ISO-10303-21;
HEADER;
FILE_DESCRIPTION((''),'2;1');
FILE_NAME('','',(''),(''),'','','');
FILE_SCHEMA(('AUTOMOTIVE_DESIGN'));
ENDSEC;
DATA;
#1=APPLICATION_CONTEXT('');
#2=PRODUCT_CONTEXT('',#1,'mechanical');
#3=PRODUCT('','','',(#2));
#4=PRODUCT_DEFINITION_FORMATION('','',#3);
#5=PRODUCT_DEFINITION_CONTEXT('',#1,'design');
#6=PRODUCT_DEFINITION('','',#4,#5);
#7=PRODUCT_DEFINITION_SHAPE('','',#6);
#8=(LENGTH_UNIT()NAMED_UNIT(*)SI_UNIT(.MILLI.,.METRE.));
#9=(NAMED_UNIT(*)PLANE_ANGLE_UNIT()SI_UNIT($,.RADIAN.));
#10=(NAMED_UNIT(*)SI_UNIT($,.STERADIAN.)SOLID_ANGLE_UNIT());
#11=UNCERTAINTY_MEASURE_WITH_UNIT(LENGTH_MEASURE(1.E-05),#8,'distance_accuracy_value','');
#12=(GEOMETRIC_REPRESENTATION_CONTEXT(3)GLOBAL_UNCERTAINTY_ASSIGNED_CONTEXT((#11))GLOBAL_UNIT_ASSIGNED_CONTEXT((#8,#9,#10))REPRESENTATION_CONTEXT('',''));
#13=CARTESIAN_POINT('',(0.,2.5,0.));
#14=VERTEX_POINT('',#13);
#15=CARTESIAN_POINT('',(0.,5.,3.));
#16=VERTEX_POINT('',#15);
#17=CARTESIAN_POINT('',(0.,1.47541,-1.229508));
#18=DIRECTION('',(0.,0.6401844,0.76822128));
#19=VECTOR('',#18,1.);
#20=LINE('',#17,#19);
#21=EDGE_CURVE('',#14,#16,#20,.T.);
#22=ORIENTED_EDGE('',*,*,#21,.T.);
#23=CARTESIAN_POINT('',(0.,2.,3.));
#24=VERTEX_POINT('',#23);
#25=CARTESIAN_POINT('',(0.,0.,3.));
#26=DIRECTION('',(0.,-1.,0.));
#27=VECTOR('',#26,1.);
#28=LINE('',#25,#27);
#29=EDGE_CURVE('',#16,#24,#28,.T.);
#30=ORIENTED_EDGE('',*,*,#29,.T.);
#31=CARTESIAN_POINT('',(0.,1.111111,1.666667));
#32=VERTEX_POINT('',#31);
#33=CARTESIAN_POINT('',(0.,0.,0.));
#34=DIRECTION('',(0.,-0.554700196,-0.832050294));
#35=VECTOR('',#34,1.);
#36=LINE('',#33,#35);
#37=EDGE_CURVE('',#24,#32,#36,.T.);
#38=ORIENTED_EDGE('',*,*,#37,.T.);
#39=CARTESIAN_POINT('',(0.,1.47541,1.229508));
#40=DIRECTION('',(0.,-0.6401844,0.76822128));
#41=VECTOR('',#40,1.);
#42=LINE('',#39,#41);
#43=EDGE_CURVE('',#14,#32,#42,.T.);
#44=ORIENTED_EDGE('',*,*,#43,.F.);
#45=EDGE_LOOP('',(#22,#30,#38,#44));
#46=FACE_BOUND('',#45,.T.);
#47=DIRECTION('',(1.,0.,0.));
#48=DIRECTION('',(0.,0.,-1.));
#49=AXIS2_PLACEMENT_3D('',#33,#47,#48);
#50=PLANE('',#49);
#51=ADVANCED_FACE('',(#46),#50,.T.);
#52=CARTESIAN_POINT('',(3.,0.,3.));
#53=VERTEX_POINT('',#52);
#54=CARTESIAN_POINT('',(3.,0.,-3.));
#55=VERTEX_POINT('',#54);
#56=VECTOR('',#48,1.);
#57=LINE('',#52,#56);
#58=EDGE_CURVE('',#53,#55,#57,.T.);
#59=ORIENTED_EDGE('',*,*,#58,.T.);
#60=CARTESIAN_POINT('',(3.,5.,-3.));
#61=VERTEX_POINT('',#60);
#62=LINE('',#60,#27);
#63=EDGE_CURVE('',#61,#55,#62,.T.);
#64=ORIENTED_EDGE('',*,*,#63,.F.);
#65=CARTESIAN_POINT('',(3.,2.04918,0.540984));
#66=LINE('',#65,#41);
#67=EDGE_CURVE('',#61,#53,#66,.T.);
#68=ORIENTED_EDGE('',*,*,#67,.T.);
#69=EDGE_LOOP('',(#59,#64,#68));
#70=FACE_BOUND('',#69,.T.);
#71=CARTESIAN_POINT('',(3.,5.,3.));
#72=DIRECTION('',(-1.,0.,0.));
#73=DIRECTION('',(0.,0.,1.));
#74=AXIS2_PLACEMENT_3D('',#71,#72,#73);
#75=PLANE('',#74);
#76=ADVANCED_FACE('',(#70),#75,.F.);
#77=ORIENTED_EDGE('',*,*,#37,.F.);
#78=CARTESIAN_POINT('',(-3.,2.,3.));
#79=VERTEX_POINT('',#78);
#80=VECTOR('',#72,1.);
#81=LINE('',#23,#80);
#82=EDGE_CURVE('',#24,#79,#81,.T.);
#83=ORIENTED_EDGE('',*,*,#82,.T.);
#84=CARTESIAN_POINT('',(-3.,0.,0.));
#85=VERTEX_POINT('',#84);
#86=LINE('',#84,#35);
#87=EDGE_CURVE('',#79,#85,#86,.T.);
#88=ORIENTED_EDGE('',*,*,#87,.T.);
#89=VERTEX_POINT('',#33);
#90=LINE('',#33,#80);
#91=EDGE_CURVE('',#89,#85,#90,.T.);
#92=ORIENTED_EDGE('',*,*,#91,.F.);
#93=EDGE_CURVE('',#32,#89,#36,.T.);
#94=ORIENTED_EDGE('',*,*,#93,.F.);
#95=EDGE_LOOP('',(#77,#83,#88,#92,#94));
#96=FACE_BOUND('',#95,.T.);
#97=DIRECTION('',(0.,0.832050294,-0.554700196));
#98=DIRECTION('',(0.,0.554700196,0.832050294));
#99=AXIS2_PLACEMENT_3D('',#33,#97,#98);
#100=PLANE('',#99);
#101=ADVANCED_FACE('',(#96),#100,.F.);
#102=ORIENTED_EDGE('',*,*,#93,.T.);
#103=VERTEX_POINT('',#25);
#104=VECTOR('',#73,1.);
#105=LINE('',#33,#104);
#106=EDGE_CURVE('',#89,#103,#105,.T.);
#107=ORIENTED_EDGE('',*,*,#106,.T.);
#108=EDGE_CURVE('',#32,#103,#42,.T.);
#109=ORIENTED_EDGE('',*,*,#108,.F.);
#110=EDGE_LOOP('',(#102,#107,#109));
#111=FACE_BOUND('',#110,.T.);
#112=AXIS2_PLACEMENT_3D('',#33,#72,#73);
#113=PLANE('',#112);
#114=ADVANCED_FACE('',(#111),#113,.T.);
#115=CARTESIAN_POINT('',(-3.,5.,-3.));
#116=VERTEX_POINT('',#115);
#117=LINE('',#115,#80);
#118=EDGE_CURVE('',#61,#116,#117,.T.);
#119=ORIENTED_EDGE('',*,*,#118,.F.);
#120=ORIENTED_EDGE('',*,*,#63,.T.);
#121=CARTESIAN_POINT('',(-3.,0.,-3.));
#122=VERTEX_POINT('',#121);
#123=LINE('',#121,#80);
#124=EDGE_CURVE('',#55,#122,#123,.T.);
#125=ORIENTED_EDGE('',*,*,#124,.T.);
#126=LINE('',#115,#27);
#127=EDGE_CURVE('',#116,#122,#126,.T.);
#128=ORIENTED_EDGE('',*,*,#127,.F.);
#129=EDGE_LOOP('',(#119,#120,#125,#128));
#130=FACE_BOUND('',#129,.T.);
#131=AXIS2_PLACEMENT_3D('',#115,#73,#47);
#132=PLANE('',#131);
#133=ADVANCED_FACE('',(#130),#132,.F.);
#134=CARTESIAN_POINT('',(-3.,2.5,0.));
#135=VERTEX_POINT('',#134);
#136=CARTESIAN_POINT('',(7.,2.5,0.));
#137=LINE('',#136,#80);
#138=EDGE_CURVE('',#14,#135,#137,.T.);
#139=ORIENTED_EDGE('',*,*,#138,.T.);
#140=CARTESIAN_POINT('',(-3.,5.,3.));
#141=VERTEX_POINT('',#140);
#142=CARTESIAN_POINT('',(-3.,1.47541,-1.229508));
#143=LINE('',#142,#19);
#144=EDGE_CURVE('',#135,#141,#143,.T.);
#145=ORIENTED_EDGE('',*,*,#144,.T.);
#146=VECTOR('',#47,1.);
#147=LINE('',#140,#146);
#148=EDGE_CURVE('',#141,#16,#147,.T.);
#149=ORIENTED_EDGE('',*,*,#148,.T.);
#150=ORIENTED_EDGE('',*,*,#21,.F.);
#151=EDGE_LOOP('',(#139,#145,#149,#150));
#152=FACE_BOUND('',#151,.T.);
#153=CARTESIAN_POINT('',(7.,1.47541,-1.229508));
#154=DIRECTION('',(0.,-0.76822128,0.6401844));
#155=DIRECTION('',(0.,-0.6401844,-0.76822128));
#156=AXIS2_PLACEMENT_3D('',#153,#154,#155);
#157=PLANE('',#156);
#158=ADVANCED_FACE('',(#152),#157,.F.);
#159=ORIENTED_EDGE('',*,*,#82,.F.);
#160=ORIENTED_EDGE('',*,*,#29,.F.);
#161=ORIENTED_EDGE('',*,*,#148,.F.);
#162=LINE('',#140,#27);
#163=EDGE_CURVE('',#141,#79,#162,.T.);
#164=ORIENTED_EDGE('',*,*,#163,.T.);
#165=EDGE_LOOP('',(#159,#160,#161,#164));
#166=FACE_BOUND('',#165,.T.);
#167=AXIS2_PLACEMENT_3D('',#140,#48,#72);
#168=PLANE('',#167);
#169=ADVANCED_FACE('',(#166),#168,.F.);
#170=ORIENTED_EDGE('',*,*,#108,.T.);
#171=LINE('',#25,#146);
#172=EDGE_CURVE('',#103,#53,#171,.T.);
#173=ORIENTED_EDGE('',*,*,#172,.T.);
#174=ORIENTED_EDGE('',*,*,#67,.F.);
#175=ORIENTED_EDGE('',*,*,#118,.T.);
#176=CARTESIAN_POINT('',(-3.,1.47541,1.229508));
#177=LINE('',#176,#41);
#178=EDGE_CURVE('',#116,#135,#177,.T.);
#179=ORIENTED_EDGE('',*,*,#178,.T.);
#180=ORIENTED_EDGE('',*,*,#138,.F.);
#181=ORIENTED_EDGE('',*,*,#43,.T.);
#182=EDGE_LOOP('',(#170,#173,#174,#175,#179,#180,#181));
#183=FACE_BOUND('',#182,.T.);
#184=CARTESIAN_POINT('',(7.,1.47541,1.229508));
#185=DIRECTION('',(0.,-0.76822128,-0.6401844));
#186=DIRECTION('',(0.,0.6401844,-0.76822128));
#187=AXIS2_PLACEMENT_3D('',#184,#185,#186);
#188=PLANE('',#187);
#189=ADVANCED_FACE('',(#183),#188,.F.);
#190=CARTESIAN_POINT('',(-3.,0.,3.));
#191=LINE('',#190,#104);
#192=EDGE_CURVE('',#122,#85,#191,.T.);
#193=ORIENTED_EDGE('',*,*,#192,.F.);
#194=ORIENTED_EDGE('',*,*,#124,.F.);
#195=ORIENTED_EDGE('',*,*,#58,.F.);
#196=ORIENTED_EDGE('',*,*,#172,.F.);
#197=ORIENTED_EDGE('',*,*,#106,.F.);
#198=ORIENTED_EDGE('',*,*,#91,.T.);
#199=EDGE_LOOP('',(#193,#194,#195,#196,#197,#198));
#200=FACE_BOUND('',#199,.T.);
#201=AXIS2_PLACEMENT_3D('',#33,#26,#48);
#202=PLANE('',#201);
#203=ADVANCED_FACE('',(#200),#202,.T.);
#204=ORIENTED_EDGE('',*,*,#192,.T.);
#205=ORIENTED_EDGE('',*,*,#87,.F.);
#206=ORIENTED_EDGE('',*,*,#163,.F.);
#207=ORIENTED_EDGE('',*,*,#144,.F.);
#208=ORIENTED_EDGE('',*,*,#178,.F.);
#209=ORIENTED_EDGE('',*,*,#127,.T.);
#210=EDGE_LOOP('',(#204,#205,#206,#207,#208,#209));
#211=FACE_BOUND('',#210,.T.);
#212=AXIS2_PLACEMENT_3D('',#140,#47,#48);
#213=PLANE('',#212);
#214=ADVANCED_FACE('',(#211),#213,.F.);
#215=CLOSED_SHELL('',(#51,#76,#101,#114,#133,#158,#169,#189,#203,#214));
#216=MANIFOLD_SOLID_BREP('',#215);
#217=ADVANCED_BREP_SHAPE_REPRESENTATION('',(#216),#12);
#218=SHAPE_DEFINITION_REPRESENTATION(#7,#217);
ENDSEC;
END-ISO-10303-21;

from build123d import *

# Parameters (mm, degrees)
SKETCH1_W           = 6
SKETCH1_H           = 6
BOSS_EXTRUDE1_DEPTH = 5
CUT_EXTRUDE1_DEPTH  = 10
CUT_EXTRUDE2_DEPTH  = 3
CUT_EXTRUDE3_DEPTH  = 3


with BuildPart() as part:
    # Sketch1 → Boss-Extrude1 (new body)
    with BuildSketch(Plane(origin=(0, 0, 0), x_dir=(1, 0, 0), z_dir=(0, 1, 0))):
        Rectangle(SKETCH1_W, SKETCH1_H)
    extrude(amount=BOSS_EXTRUDE1_DEPTH)

    # Sketch2 → Cut-Extrude1 (cut)
    with BuildSketch(Plane.ZY.offset(3)):
        Polygon((3, 5), (-3, 5), (0, 2.5), align=None)
    extrude(amount=-CUT_EXTRUDE1_DEPTH, mode=Mode.SUBTRACT)

    # Sketch3 → Cut-Extrude2 (cut)
    with BuildSketch(Plane(origin=(3, 0, 0), x_dir=(0, 0, -1), z_dir=(1, 0, 0))):
        Polygon((-3, 0), (0, 2.5), (-3, 5), align=None)
    extrude(amount=-CUT_EXTRUDE2_DEPTH, mode=Mode.SUBTRACT)

    # Sketch4 → Cut-Extrude3 (cut)
    with BuildSketch(Plane.ZY.offset(3)):
        Polygon((0, 0), (3, 0), (3, 2), align=None)
    extrude(amount=-CUT_EXTRUDE3_DEPTH, mode=Mode.SUBTRACT)


solid = part.part
